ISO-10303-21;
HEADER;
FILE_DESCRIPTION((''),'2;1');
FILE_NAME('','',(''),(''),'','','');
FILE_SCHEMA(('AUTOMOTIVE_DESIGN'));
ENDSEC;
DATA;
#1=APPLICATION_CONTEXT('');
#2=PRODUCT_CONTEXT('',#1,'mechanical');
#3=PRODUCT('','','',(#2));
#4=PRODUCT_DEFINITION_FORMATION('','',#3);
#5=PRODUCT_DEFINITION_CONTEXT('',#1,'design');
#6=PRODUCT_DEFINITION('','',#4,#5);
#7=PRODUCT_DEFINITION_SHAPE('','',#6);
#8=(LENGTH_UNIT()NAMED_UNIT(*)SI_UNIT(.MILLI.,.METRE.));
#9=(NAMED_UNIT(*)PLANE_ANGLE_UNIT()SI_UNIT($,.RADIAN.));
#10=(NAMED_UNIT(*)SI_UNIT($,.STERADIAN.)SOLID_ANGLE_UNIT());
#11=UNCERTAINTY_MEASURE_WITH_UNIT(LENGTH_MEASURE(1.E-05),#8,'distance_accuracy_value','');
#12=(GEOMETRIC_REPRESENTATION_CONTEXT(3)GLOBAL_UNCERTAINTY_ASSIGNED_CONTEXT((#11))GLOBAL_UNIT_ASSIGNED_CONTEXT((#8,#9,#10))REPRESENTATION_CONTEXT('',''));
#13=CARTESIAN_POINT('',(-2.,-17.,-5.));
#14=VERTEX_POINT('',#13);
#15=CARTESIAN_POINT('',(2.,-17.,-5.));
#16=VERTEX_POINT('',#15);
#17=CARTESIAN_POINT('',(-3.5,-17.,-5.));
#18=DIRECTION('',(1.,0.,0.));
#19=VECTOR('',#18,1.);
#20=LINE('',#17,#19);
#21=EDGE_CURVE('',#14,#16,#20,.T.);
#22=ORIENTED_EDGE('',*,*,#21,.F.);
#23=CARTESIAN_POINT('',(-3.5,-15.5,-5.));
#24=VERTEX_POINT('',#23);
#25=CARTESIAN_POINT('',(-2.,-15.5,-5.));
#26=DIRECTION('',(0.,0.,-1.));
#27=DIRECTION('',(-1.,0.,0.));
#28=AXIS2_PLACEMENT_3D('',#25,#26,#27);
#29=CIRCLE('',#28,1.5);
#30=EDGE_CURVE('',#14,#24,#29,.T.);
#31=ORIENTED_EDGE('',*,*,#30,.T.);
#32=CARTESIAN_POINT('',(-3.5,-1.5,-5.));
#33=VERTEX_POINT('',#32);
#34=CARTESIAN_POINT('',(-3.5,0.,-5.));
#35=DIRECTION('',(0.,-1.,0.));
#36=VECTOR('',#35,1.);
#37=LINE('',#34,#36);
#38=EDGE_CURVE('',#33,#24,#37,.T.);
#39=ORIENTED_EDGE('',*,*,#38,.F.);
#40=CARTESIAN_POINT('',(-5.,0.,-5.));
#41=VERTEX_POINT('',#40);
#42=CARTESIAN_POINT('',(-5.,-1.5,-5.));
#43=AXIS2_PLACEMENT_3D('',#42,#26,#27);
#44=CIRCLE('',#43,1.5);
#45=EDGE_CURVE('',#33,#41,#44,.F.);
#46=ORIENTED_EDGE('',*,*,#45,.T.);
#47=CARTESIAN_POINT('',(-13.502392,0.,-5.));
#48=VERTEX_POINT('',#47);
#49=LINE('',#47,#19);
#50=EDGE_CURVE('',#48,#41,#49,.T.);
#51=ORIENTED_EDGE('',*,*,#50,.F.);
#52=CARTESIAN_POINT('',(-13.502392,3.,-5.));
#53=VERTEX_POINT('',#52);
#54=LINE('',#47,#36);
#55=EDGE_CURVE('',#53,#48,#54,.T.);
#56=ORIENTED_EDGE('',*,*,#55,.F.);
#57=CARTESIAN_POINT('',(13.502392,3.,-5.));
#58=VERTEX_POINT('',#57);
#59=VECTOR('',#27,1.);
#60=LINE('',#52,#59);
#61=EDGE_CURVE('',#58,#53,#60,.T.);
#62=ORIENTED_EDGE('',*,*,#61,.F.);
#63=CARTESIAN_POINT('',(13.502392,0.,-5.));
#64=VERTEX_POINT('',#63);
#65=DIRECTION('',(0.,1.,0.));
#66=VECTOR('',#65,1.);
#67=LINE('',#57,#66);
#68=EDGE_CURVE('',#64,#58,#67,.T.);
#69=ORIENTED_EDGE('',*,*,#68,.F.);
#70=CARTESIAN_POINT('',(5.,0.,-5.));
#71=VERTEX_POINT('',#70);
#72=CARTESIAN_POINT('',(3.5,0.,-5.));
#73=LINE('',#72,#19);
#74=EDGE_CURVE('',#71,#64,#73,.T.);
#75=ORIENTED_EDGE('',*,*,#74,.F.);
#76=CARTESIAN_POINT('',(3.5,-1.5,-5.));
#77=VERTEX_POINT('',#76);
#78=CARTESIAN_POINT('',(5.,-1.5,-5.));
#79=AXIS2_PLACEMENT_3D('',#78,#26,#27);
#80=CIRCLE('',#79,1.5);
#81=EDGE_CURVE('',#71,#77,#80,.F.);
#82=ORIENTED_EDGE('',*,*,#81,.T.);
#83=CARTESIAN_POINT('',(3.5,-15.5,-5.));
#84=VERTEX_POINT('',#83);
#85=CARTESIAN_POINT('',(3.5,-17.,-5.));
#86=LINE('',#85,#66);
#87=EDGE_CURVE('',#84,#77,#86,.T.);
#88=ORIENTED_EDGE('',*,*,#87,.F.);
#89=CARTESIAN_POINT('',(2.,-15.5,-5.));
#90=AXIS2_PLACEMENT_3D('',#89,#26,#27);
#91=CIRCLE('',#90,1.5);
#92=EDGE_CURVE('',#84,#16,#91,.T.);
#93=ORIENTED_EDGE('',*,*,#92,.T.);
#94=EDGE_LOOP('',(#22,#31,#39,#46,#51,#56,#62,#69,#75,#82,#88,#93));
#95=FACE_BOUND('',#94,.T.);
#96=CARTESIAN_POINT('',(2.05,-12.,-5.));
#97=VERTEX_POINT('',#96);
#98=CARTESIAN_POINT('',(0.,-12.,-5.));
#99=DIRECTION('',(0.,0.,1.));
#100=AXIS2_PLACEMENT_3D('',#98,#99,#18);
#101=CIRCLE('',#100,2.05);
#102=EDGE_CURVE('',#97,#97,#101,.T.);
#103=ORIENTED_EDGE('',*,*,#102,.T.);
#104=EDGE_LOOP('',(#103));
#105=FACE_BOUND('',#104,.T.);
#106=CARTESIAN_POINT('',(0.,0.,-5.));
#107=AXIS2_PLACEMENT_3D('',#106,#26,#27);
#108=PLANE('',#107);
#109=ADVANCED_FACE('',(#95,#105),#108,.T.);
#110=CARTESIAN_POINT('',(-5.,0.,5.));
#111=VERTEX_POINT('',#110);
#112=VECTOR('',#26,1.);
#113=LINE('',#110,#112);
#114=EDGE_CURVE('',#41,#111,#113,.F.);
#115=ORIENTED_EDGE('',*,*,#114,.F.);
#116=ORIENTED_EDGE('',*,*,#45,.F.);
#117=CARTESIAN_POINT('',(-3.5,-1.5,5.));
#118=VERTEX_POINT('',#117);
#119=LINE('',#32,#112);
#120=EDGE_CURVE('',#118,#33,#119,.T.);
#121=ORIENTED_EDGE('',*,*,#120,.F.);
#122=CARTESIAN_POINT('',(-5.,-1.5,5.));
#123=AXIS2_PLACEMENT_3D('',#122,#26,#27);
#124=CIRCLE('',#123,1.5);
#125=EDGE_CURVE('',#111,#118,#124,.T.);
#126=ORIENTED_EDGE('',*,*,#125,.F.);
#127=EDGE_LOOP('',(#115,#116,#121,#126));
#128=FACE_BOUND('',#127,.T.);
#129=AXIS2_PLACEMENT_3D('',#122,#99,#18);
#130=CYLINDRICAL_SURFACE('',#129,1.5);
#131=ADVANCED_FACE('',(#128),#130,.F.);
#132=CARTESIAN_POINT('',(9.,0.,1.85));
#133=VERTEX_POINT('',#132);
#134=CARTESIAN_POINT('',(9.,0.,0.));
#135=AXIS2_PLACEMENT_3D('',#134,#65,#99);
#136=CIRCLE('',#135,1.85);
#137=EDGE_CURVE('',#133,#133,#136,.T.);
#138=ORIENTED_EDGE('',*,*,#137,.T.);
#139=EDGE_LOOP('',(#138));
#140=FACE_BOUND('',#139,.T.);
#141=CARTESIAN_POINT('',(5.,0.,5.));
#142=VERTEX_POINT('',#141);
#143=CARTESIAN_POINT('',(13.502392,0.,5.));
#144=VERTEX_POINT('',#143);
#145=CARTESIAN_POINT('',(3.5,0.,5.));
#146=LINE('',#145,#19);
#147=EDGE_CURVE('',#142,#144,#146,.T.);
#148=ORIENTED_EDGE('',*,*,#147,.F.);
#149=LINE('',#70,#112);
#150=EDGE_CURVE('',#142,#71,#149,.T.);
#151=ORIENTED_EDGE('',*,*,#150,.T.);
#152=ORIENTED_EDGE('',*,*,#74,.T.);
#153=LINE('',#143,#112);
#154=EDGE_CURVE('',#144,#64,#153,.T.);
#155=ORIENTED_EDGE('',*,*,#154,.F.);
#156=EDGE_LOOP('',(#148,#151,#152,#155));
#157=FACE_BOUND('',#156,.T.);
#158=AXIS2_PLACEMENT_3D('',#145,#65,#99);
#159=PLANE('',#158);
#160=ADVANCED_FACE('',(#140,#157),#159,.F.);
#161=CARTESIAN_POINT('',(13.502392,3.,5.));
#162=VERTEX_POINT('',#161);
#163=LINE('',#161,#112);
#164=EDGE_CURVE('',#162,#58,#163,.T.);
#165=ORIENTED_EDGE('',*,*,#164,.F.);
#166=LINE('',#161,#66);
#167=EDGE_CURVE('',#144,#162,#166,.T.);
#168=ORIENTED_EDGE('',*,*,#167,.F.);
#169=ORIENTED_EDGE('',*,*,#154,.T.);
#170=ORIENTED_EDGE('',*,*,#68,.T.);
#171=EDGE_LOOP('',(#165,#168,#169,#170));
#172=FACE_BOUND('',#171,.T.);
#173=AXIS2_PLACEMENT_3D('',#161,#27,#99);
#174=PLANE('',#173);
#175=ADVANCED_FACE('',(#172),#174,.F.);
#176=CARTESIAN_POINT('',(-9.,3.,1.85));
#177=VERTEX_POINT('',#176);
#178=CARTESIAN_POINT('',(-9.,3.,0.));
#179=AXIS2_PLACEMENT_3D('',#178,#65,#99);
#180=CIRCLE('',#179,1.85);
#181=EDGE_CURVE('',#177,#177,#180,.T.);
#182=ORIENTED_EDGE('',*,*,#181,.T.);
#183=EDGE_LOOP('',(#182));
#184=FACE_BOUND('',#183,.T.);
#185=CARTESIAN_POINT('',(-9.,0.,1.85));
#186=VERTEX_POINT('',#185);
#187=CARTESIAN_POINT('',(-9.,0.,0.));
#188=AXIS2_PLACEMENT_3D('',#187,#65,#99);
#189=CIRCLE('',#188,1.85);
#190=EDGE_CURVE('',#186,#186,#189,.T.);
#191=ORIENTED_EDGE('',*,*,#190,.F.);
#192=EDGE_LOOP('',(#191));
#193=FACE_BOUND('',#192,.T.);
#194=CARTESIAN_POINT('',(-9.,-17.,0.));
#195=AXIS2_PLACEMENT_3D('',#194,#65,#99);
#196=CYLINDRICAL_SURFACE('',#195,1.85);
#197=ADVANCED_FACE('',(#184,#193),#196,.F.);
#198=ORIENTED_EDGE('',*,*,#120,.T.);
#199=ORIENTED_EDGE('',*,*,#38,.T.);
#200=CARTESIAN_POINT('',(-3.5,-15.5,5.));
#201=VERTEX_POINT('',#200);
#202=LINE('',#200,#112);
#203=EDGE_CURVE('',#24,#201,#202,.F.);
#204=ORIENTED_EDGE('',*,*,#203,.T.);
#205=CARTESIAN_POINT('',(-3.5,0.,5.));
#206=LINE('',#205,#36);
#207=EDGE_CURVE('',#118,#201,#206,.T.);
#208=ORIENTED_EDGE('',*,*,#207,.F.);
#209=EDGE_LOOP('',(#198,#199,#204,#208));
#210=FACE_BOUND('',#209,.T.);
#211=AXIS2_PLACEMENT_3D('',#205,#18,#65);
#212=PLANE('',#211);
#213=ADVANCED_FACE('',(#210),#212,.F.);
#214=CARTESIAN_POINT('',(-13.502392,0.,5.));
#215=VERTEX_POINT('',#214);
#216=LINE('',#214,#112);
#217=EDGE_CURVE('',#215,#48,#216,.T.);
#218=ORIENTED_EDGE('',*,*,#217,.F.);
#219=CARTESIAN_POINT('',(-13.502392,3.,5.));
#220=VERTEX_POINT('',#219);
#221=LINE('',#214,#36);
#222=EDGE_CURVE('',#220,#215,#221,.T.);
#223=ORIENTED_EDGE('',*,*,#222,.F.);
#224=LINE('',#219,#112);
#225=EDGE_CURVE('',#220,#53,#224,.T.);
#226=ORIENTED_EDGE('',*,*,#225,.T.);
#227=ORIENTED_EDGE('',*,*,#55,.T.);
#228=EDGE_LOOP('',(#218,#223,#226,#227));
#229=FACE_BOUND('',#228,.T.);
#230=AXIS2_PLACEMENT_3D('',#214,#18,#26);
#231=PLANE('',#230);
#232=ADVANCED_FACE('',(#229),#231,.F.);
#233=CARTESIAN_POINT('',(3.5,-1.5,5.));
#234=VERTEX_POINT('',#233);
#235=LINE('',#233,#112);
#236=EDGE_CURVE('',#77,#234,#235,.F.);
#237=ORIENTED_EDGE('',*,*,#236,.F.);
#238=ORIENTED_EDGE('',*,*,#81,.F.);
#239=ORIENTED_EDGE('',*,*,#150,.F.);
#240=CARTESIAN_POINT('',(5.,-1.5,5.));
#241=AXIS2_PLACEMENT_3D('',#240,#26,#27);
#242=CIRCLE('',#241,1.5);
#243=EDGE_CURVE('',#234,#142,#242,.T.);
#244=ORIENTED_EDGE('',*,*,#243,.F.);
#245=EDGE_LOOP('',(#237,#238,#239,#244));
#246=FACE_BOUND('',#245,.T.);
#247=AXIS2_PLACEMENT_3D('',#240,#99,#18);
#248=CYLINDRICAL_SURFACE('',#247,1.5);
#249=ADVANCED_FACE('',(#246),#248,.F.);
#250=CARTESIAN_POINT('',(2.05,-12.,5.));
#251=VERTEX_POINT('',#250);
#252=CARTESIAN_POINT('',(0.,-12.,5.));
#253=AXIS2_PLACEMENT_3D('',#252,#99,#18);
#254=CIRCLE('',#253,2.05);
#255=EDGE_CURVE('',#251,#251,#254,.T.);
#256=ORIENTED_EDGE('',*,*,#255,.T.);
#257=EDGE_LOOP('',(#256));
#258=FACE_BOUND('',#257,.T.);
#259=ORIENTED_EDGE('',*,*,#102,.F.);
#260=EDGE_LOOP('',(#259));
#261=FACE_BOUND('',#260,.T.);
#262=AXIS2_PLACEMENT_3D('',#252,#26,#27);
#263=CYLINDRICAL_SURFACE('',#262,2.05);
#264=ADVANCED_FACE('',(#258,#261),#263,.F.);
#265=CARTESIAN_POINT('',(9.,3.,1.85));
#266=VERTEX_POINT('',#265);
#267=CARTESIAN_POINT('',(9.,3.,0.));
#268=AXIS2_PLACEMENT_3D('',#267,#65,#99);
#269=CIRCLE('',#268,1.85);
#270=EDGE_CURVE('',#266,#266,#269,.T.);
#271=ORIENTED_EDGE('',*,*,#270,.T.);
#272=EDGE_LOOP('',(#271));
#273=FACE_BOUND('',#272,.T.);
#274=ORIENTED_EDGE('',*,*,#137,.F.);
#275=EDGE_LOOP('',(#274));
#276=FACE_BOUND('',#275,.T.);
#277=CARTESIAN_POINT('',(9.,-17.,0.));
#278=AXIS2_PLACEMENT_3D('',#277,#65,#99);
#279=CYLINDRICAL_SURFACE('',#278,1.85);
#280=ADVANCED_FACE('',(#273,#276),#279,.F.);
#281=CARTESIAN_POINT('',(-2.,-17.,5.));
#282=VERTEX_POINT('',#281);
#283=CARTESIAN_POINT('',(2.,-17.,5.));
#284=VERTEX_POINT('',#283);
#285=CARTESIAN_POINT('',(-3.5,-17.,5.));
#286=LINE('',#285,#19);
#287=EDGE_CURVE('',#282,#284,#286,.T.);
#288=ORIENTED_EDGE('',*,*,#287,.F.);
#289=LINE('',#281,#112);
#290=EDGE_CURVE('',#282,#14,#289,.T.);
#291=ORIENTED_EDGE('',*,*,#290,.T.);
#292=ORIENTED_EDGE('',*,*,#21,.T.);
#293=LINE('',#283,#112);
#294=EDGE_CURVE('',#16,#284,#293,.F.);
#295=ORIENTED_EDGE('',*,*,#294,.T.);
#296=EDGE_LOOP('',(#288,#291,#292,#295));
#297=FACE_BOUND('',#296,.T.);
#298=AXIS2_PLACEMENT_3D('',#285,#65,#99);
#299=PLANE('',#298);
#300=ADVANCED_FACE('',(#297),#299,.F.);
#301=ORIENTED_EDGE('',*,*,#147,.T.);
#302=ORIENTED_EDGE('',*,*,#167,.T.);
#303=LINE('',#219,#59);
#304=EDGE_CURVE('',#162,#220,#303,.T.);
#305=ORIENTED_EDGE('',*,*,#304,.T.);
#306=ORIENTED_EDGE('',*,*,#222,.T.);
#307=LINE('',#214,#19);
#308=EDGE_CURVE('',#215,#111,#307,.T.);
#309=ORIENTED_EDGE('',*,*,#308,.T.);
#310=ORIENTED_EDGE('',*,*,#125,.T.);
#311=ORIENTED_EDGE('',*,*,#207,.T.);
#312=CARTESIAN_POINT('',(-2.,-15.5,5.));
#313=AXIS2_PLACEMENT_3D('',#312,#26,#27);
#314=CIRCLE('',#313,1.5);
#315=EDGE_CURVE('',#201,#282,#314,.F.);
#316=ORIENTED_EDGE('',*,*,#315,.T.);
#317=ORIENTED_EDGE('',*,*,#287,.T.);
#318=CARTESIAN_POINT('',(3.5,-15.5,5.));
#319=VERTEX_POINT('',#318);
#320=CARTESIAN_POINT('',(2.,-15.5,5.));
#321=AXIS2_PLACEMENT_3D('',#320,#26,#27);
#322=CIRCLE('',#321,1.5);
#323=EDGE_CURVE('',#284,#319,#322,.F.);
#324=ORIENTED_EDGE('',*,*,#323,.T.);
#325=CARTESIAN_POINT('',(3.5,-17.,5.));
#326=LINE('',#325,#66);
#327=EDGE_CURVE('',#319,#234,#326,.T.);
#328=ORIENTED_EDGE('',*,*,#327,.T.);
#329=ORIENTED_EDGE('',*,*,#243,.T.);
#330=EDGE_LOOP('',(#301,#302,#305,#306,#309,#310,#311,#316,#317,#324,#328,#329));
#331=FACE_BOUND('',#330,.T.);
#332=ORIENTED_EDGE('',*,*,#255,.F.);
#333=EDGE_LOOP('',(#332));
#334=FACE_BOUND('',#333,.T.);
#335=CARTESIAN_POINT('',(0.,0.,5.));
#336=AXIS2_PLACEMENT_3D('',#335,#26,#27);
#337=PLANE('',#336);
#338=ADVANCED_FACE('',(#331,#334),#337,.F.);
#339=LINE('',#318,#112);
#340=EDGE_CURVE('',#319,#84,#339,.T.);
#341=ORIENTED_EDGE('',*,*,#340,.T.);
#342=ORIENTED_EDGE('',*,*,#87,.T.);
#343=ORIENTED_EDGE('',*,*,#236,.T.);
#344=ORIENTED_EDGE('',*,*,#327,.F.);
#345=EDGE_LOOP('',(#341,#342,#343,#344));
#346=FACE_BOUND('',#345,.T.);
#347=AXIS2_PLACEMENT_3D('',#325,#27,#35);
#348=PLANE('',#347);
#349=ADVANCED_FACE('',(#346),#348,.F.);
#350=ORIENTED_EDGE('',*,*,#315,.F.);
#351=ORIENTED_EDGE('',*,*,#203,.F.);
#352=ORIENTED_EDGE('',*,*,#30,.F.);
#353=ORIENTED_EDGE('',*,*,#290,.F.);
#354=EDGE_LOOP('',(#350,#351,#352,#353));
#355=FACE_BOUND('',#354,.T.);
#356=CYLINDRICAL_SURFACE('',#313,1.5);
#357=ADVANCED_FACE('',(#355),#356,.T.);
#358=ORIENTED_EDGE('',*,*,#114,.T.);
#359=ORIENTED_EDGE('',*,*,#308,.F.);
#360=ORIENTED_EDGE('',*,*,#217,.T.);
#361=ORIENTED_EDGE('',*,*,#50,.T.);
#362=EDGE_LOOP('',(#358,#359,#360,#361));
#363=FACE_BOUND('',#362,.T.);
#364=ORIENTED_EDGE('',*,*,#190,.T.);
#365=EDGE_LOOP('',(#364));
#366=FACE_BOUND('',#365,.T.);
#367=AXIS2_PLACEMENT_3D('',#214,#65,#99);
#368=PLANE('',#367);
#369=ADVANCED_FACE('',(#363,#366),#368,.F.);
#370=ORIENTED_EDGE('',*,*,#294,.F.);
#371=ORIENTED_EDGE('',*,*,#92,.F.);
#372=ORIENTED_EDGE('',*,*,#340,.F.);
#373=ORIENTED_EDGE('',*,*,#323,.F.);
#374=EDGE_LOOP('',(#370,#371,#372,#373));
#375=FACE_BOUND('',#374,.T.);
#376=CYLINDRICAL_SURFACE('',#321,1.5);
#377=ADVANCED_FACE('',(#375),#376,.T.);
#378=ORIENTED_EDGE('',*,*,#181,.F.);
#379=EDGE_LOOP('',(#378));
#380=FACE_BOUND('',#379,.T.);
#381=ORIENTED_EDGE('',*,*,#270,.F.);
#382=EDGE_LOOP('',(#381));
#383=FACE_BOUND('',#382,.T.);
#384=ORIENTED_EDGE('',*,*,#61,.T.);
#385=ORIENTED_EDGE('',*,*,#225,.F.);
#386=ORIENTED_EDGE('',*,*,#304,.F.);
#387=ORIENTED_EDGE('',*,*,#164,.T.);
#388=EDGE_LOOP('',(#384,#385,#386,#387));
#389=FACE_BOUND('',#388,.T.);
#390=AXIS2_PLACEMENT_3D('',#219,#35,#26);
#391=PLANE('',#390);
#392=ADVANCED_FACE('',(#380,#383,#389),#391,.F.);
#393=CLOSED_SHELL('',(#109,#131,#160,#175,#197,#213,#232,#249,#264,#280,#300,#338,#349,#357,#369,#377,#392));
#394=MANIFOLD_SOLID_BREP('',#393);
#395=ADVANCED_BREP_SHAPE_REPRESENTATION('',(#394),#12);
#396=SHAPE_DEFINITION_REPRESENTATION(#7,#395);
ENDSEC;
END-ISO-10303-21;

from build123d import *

# Parameters (mm, degrees)
SKETCH1_R           = 2.05
BOSS_EXTRUDE1_DEPTH = 5
FILLET1_R           = 1.5
SKETCH2_R           = 1.85
CUT_EXTRUDE1_DEPTH  = 21


with BuildPart() as part:
    # Sketch1 → Boss-Extrude1 (new body, symmetric)
    with BuildSketch(Plane.XY):
        Polygon((-13.502392344, 0), (-3.5, 0), (-3.5, -17), (3.5, -17), (3.5, 0), (13.502392344, 0), (13.502392344, 3), (-13.502392344, 3), align=None)
        with Locations((0, -12)):
            Circle(SKETCH1_R, mode=Mode.SUBTRACT)
    extrude(amount=BOSS_EXTRUDE1_DEPTH, both=True)

    # Fillet1
    fillet1_edges = [part.edges().sort_by_distance(p)[0] for p in [
        (3.5, 0, 0),
        (3.5, -17, 0),
        (-3.5, -17, 0),
        (-3.5, 0, 0),
    ]]
    fillet(fillet1_edges, radius=FILLET1_R)

    # Sketch2 → Cut-Extrude1 (cut, through all)
    with BuildSketch(Plane(origin=(0, 3, 0), x_dir=(1, 0, 0), z_dir=(0, 1, 0))):
        with Locations((-9, 0)):
            Circle(SKETCH2_R)
        with Locations((9, 0)):
            Circle(SKETCH2_R)
    extrude(amount=-CUT_EXTRUDE1_DEPTH, mode=Mode.SUBTRACT)


solid = part.part
